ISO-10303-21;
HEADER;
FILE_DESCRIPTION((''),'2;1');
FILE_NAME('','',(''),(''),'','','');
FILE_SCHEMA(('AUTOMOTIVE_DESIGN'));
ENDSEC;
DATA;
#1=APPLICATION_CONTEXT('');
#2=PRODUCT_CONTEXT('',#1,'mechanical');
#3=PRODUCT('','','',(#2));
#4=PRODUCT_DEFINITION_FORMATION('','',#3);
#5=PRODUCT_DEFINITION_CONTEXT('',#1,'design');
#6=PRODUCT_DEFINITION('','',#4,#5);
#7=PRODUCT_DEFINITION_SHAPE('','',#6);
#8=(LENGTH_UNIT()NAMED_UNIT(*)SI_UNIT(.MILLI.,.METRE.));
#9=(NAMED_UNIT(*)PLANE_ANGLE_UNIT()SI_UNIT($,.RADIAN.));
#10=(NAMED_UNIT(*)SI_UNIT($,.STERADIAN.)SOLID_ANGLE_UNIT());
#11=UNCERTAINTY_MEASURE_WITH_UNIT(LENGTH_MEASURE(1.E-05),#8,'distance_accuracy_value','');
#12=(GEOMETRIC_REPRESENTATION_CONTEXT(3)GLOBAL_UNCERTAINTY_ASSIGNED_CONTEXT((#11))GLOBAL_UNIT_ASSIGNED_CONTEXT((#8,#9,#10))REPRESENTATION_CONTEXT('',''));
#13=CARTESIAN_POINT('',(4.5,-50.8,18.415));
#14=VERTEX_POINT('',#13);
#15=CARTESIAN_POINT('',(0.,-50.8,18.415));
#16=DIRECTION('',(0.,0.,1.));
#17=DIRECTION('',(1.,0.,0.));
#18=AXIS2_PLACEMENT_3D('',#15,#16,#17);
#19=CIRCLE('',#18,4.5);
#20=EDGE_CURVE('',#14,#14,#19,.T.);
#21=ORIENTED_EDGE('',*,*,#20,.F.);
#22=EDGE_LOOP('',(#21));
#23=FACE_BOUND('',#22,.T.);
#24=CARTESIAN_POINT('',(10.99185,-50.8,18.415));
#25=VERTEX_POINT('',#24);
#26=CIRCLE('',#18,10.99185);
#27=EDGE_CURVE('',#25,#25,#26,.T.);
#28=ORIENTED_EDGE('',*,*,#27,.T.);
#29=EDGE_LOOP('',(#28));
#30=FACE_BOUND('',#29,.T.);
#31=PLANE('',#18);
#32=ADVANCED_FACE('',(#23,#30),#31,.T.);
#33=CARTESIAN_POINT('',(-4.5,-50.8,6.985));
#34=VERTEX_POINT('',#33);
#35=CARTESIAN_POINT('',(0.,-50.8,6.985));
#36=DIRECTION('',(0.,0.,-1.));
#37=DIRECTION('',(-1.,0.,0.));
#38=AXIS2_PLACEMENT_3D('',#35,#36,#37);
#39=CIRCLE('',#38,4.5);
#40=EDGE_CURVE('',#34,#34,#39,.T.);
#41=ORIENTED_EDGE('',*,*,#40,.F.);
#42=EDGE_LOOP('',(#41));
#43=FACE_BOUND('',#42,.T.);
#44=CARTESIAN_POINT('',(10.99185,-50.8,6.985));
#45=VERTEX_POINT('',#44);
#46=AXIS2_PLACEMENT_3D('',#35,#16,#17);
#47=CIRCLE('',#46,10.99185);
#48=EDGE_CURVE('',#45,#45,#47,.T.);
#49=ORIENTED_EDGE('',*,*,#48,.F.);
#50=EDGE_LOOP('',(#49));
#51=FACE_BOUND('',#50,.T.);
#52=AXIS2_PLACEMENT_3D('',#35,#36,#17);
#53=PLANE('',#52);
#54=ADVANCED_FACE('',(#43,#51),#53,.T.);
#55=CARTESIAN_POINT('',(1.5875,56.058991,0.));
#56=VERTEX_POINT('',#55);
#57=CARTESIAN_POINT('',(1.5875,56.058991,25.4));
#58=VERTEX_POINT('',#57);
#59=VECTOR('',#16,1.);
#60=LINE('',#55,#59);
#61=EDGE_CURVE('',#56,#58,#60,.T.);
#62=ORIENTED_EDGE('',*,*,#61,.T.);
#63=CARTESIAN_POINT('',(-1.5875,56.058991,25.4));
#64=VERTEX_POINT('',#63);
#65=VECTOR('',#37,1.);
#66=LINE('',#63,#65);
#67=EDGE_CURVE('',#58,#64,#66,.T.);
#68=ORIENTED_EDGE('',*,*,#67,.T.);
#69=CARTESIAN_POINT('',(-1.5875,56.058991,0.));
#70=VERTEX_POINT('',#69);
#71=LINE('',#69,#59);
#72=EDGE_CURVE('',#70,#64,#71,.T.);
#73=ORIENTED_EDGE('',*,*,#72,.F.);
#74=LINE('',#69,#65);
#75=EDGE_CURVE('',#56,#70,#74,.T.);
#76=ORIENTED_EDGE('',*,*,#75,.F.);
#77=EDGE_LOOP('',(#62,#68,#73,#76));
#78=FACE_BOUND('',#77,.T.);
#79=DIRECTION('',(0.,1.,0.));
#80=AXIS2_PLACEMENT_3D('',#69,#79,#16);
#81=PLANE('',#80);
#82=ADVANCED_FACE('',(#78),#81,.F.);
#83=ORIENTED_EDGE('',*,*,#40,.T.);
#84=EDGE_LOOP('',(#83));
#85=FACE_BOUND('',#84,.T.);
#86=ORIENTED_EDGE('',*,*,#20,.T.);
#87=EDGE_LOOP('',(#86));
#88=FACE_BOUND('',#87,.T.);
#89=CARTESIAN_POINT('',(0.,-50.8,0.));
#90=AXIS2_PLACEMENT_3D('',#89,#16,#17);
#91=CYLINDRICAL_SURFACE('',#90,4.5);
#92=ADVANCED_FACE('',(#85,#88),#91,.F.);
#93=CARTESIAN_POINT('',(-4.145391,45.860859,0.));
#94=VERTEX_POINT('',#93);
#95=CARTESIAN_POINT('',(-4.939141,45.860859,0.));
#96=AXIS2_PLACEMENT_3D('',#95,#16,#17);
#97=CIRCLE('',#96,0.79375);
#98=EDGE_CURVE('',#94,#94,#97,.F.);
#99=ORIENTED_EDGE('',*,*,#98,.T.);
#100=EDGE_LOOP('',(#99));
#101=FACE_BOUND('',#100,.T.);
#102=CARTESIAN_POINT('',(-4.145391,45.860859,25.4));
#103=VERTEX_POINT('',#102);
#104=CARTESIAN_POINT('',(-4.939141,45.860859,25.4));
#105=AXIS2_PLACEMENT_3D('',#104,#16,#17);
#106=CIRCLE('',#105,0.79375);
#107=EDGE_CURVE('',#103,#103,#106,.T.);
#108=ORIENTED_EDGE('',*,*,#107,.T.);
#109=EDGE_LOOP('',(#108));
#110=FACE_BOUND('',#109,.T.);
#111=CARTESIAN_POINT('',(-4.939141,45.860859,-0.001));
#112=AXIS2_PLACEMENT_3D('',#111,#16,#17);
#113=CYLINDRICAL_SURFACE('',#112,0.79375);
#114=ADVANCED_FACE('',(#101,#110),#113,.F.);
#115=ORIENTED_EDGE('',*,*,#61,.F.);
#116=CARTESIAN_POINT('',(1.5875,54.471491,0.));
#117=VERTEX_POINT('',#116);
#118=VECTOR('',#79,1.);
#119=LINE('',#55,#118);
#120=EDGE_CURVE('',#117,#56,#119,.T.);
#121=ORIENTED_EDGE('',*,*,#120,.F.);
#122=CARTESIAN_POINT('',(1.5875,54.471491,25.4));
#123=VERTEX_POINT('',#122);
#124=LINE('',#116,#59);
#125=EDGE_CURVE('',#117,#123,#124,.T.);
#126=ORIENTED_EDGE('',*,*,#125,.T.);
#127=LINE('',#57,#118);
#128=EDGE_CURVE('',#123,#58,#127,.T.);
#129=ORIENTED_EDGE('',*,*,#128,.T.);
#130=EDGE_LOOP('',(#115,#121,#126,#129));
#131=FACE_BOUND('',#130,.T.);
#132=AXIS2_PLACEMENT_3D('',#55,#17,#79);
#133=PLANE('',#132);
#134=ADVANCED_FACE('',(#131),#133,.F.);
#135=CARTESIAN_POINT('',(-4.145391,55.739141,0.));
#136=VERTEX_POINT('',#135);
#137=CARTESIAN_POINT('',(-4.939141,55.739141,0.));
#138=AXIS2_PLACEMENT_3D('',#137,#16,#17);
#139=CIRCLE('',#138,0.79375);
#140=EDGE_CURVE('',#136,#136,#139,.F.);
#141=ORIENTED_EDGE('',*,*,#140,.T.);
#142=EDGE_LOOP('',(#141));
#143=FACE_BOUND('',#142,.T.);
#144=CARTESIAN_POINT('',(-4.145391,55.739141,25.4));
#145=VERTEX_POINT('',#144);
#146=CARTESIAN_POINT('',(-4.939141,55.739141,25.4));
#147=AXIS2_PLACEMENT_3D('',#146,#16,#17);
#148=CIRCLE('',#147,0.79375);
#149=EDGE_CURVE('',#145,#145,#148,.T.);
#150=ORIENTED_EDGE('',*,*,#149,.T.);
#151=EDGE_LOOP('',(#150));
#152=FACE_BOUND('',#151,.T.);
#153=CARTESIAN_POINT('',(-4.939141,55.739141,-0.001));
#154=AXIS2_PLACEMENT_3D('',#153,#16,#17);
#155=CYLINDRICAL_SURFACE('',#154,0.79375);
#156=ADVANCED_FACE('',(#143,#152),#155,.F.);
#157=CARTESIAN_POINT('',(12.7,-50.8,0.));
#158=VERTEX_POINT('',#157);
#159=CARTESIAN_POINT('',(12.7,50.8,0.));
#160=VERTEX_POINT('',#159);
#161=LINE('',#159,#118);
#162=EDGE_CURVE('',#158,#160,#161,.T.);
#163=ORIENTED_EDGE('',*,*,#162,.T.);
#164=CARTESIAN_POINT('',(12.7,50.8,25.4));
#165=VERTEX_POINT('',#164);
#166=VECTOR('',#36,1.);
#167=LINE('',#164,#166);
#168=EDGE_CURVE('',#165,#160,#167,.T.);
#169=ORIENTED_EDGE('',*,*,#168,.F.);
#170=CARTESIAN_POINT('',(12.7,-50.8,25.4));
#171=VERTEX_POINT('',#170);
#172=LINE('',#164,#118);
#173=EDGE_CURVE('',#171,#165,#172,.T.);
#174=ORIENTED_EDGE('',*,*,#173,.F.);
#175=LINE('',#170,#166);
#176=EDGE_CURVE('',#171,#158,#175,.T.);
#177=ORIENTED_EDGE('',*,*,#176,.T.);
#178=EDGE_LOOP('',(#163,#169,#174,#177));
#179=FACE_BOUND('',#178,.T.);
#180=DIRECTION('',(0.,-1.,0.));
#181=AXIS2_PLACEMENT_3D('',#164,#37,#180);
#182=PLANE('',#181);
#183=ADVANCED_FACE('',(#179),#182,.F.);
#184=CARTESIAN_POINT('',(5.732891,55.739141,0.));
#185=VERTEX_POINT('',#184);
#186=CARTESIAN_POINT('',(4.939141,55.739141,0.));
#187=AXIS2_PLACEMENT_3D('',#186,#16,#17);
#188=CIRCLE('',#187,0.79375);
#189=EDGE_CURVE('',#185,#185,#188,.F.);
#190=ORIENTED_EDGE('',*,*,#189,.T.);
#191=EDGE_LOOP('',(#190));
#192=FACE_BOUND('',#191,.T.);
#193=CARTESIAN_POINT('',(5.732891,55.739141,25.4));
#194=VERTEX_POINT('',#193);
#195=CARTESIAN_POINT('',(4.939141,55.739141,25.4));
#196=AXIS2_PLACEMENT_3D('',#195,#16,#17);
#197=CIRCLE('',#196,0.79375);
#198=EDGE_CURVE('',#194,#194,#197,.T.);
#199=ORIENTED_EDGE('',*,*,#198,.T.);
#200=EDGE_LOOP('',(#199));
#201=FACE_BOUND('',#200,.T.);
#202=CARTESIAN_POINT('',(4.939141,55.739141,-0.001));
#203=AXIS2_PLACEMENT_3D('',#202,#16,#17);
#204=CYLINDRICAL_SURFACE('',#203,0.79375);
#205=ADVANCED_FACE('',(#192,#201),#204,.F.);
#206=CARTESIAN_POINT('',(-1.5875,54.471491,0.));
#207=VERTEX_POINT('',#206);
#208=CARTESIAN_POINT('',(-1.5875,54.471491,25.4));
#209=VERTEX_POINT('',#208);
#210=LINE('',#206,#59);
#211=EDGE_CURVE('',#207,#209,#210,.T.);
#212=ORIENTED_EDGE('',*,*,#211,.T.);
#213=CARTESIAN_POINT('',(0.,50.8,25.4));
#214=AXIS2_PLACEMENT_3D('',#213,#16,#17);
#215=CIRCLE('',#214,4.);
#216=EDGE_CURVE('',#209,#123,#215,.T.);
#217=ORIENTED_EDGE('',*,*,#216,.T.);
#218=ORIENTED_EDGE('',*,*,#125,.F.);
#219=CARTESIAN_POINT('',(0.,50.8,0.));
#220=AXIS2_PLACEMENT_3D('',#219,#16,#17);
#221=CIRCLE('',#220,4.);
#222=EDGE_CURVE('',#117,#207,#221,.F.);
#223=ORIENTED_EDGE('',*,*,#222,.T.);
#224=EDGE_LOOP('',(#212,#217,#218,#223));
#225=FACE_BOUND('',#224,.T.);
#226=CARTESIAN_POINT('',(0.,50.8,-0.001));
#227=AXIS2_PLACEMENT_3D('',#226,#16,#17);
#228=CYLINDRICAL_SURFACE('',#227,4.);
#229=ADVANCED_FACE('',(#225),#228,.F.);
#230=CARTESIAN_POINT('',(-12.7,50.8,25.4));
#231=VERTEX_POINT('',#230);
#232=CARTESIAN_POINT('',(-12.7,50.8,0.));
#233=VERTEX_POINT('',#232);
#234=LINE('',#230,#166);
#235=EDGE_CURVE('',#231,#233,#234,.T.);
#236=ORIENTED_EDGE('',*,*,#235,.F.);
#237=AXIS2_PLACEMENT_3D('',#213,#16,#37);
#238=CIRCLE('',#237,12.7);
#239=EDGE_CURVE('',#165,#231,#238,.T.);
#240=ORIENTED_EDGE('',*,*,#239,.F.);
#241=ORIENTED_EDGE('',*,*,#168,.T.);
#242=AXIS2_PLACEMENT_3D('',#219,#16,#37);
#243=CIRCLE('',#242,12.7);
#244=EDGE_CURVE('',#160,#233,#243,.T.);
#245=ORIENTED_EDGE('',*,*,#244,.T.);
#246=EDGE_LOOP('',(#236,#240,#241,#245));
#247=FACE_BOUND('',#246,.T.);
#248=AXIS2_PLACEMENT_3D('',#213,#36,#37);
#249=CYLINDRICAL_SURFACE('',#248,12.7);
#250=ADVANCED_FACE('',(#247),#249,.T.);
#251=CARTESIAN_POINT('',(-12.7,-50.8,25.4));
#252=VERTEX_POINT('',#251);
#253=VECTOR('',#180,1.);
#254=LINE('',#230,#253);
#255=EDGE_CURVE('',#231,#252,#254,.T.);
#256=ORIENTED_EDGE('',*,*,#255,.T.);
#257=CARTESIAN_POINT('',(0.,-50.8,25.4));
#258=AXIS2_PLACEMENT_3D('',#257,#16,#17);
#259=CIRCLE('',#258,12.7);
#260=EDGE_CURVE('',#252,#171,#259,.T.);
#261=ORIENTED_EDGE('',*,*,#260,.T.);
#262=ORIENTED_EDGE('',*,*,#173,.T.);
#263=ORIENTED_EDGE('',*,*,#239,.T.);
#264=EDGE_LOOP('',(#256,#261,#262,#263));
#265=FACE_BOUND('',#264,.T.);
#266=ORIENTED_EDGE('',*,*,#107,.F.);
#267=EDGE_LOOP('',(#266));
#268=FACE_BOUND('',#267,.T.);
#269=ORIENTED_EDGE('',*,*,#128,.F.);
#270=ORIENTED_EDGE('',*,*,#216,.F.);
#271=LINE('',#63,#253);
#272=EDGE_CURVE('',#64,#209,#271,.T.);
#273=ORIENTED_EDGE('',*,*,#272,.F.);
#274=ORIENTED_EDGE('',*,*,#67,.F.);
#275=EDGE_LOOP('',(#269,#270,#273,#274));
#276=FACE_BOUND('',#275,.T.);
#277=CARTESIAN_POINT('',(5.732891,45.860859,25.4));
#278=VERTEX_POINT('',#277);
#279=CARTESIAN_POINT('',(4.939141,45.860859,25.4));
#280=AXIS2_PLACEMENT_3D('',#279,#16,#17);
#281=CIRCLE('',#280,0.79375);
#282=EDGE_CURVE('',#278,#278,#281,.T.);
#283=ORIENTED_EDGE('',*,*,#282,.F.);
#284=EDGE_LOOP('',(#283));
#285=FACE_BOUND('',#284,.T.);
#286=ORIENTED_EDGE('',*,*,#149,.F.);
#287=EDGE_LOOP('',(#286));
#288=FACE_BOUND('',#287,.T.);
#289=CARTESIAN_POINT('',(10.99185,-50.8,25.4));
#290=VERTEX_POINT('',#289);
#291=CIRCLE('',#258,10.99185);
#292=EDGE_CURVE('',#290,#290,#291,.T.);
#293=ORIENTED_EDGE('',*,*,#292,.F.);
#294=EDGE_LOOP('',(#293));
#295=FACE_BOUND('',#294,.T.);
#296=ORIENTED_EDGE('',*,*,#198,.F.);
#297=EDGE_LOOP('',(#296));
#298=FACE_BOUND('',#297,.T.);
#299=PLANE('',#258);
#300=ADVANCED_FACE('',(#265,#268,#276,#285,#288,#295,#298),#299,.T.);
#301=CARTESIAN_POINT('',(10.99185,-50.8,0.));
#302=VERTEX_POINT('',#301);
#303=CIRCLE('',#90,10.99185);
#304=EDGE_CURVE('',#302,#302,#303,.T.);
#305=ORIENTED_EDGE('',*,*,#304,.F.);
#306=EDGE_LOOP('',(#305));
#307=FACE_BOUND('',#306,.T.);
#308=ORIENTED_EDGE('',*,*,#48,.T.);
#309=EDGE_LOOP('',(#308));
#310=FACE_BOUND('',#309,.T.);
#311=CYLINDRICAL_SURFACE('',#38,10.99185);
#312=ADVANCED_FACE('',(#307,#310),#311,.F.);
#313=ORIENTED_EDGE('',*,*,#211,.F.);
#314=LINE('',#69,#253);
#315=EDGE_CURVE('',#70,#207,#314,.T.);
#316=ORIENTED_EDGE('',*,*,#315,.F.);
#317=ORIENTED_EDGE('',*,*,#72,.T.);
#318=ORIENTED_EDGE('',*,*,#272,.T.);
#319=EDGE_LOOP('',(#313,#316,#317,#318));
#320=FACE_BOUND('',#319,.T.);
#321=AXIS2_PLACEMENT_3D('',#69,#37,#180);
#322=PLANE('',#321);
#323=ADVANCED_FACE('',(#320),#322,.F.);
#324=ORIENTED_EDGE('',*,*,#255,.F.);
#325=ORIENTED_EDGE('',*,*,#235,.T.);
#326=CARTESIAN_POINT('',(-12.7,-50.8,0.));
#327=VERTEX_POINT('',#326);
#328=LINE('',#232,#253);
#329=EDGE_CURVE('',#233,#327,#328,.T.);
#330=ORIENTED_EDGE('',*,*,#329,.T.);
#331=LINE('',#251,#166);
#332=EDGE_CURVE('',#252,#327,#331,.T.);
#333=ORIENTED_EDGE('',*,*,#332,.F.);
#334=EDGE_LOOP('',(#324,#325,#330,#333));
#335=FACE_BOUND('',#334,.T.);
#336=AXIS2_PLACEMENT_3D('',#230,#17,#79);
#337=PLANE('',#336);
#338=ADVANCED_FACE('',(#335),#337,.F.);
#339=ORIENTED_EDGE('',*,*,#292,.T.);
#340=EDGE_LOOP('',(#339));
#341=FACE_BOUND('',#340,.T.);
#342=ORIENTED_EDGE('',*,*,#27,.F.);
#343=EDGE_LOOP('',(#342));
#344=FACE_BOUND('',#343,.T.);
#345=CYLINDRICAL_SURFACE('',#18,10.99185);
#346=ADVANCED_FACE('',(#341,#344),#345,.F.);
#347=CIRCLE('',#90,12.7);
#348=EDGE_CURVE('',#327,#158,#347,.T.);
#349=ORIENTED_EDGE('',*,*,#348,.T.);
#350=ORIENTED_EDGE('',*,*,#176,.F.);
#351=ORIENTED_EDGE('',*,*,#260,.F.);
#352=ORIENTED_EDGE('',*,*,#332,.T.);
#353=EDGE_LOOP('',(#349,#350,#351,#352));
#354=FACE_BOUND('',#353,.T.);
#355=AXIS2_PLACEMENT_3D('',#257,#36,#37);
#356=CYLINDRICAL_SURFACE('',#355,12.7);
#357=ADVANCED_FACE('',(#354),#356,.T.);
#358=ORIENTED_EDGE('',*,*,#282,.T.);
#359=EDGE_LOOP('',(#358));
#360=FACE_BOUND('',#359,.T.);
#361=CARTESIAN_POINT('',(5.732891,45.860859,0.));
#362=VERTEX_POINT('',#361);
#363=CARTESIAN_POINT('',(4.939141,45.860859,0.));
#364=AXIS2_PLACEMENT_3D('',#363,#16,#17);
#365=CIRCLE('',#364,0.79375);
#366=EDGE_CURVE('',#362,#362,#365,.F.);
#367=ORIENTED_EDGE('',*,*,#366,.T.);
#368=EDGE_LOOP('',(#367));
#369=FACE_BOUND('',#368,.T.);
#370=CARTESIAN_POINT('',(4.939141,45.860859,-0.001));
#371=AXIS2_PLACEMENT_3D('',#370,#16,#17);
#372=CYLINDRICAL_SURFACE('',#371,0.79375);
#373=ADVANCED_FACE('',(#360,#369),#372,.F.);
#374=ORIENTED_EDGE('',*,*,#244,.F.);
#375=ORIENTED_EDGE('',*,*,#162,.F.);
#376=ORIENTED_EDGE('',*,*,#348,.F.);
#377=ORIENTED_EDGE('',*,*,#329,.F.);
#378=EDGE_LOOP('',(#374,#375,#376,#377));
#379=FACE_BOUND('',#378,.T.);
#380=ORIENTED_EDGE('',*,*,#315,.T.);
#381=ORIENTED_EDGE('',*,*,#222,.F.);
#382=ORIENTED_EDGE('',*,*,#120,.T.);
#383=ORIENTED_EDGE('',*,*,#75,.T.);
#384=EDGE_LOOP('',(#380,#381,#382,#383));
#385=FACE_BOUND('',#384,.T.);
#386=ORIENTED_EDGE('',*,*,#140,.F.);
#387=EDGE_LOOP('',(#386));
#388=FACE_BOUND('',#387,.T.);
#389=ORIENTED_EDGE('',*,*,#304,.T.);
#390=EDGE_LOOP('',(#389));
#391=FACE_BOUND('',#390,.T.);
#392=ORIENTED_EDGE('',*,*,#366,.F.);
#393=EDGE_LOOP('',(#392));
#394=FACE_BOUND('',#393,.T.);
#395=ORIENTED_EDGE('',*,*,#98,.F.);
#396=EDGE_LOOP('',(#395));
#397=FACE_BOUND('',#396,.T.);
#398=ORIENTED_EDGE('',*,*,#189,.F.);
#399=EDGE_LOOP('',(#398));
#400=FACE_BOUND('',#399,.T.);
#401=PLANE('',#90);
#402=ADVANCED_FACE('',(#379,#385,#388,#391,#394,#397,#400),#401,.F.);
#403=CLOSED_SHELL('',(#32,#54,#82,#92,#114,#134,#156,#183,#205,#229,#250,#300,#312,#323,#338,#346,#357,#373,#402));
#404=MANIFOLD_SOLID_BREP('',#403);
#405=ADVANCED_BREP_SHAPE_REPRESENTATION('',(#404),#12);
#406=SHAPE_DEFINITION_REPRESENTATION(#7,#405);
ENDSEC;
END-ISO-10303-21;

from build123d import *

# Parameters (mm, degrees)
BOSS_EXTRUDE1_DEPTH = 25.4
CUT_EXTRUDE1_REACH  = 27.4
SKETCH2_R           = 4
SKETCH2_R_2         = 0.79375
SKETCH3_W           = 3.175
SKETCH3_H           = 1.5875
CUT_EXTRUDE2_DEPTH  = 26.4
SKETCH4_R           = 10.99185
CUT_EXTRUDE3_DEPTH  = 6.985
SKETCH5_R           = 4.5
CUT_EXTRUDE4_DEPTH  = 19.415


with BuildPart() as part:
    # Sketch1 → Boss-Extrude1 (new body)
    with BuildSketch(Plane.XY):
        with BuildLine():
            Line((12.7, 50.8), (12.7, -50.8))
            ThreePointArc((12.7, -50.8), (0, -63.5), (-12.7, -50.8))
            Line((-12.7, -50.8), (-12.7, 50.8))
            ThreePointArc((-12.7, 50.8), (0, 63.5), (12.7, 50.8))
        make_face()
    extrude(amount=BOSS_EXTRUDE1_DEPTH)

    # Sketch2 → Cut-Extrude1 (cut, up to next)
    with BuildSketch(Plane.XY.offset(25.4), mode=Mode.PRIVATE) as cut_extrude1_sk1:
        with Locations((0, 50.8)):
            Circle(SKETCH2_R)
    cut_extrude1_tool1 = extrude(cut_extrude1_sk1.sketch, amount=-CUT_EXTRUDE1_REACH, mode=Mode.PRIVATE) & part.part
    add(cut_extrude1_tool1.solids().sort_by_distance((0, 50.8, 25.4))[0], mode=Mode.SUBTRACT)
    # Sketch2 → Cut-Extrude1 (cut, up to next)
    with BuildSketch(Plane.XY.offset(25.4), mode=Mode.PRIVATE) as cut_extrude1_sk2:
        with Locations((-4.939140867, 55.739140867)):
            Circle(SKETCH2_R_2)
    cut_extrude1_tool2 = extrude(cut_extrude1_sk2.sketch, amount=-CUT_EXTRUDE1_REACH, mode=Mode.PRIVATE) & part.part
    add(cut_extrude1_tool2.solids().sort_by_distance((-4.939141, 55.739141, 25.4))[0], mode=Mode.SUBTRACT)
    # Sketch2 → Cut-Extrude1 (cut, up to next)
    with BuildSketch(Plane.XY.offset(25.4), mode=Mode.PRIVATE) as cut_extrude1_sk3:
        with Locations((-4.939140867, 45.860859133)):
            Circle(SKETCH2_R_2)
    cut_extrude1_tool3 = extrude(cut_extrude1_sk3.sketch, amount=-CUT_EXTRUDE1_REACH, mode=Mode.PRIVATE) & part.part
    add(cut_extrude1_tool3.solids().sort_by_distance((-4.939141, 45.860859, 25.4))[0], mode=Mode.SUBTRACT)
    # Sketch2 → Cut-Extrude1 (cut, up to next)
    with BuildSketch(Plane.XY.offset(25.4), mode=Mode.PRIVATE) as cut_extrude1_sk4:
        with Locations((4.939140867, 55.739140867)):
            Circle(SKETCH2_R_2)
    cut_extrude1_tool4 = extrude(cut_extrude1_sk4.sketch, amount=-CUT_EXTRUDE1_REACH, mode=Mode.PRIVATE) & part.part
    add(cut_extrude1_tool4.solids().sort_by_distance((4.939141, 55.739141, 25.4))[0], mode=Mode.SUBTRACT)
    # Sketch2 → Cut-Extrude1 (cut, up to next)
    with BuildSketch(Plane.XY.offset(25.4), mode=Mode.PRIVATE) as cut_extrude1_sk5:
        with Locations((4.939140867, 45.860859133)):
            Circle(SKETCH2_R_2)
    cut_extrude1_tool5 = extrude(cut_extrude1_sk5.sketch, amount=-CUT_EXTRUDE1_REACH, mode=Mode.PRIVATE) & part.part
    add(cut_extrude1_tool5.solids().sort_by_distance((4.939141, 45.860859, 25.4))[0], mode=Mode.SUBTRACT)

    # Sketch3 → Cut-Extrude2 (cut, through all)
    with BuildSketch(Plane.XY.offset(25.4)):
        with Locations((0, 55.265240671)):
            Rectangle(SKETCH3_W, SKETCH3_H)
    extrude(amount=-CUT_EXTRUDE2_DEPTH, mode=Mode.SUBTRACT)

    # Sketch4 → Cut-Extrude3 (cut)
    with BuildSketch(Plane.XY.offset(25.4)):
        with Locations((0, -50.8)):
            Circle(SKETCH4_R)
    cut_extrude3 = extrude(amount=-CUT_EXTRUDE3_DEPTH, mode=Mode.SUBTRACT)

    # Mirror1: Cut-Extrude3 across plane
    add(cut_extrude3.mirror(Plane.XY.offset(12.7)), mode=Mode.SUBTRACT)

    # Sketch5 → Cut-Extrude4 (cut, through all)
    with BuildSketch(Plane.XY.offset(18.415)):
        with Locations((0, -50.8)):
            Circle(SKETCH5_R)
    extrude(amount=-CUT_EXTRUDE4_DEPTH, mode=Mode.SUBTRACT)


solid = part.part
